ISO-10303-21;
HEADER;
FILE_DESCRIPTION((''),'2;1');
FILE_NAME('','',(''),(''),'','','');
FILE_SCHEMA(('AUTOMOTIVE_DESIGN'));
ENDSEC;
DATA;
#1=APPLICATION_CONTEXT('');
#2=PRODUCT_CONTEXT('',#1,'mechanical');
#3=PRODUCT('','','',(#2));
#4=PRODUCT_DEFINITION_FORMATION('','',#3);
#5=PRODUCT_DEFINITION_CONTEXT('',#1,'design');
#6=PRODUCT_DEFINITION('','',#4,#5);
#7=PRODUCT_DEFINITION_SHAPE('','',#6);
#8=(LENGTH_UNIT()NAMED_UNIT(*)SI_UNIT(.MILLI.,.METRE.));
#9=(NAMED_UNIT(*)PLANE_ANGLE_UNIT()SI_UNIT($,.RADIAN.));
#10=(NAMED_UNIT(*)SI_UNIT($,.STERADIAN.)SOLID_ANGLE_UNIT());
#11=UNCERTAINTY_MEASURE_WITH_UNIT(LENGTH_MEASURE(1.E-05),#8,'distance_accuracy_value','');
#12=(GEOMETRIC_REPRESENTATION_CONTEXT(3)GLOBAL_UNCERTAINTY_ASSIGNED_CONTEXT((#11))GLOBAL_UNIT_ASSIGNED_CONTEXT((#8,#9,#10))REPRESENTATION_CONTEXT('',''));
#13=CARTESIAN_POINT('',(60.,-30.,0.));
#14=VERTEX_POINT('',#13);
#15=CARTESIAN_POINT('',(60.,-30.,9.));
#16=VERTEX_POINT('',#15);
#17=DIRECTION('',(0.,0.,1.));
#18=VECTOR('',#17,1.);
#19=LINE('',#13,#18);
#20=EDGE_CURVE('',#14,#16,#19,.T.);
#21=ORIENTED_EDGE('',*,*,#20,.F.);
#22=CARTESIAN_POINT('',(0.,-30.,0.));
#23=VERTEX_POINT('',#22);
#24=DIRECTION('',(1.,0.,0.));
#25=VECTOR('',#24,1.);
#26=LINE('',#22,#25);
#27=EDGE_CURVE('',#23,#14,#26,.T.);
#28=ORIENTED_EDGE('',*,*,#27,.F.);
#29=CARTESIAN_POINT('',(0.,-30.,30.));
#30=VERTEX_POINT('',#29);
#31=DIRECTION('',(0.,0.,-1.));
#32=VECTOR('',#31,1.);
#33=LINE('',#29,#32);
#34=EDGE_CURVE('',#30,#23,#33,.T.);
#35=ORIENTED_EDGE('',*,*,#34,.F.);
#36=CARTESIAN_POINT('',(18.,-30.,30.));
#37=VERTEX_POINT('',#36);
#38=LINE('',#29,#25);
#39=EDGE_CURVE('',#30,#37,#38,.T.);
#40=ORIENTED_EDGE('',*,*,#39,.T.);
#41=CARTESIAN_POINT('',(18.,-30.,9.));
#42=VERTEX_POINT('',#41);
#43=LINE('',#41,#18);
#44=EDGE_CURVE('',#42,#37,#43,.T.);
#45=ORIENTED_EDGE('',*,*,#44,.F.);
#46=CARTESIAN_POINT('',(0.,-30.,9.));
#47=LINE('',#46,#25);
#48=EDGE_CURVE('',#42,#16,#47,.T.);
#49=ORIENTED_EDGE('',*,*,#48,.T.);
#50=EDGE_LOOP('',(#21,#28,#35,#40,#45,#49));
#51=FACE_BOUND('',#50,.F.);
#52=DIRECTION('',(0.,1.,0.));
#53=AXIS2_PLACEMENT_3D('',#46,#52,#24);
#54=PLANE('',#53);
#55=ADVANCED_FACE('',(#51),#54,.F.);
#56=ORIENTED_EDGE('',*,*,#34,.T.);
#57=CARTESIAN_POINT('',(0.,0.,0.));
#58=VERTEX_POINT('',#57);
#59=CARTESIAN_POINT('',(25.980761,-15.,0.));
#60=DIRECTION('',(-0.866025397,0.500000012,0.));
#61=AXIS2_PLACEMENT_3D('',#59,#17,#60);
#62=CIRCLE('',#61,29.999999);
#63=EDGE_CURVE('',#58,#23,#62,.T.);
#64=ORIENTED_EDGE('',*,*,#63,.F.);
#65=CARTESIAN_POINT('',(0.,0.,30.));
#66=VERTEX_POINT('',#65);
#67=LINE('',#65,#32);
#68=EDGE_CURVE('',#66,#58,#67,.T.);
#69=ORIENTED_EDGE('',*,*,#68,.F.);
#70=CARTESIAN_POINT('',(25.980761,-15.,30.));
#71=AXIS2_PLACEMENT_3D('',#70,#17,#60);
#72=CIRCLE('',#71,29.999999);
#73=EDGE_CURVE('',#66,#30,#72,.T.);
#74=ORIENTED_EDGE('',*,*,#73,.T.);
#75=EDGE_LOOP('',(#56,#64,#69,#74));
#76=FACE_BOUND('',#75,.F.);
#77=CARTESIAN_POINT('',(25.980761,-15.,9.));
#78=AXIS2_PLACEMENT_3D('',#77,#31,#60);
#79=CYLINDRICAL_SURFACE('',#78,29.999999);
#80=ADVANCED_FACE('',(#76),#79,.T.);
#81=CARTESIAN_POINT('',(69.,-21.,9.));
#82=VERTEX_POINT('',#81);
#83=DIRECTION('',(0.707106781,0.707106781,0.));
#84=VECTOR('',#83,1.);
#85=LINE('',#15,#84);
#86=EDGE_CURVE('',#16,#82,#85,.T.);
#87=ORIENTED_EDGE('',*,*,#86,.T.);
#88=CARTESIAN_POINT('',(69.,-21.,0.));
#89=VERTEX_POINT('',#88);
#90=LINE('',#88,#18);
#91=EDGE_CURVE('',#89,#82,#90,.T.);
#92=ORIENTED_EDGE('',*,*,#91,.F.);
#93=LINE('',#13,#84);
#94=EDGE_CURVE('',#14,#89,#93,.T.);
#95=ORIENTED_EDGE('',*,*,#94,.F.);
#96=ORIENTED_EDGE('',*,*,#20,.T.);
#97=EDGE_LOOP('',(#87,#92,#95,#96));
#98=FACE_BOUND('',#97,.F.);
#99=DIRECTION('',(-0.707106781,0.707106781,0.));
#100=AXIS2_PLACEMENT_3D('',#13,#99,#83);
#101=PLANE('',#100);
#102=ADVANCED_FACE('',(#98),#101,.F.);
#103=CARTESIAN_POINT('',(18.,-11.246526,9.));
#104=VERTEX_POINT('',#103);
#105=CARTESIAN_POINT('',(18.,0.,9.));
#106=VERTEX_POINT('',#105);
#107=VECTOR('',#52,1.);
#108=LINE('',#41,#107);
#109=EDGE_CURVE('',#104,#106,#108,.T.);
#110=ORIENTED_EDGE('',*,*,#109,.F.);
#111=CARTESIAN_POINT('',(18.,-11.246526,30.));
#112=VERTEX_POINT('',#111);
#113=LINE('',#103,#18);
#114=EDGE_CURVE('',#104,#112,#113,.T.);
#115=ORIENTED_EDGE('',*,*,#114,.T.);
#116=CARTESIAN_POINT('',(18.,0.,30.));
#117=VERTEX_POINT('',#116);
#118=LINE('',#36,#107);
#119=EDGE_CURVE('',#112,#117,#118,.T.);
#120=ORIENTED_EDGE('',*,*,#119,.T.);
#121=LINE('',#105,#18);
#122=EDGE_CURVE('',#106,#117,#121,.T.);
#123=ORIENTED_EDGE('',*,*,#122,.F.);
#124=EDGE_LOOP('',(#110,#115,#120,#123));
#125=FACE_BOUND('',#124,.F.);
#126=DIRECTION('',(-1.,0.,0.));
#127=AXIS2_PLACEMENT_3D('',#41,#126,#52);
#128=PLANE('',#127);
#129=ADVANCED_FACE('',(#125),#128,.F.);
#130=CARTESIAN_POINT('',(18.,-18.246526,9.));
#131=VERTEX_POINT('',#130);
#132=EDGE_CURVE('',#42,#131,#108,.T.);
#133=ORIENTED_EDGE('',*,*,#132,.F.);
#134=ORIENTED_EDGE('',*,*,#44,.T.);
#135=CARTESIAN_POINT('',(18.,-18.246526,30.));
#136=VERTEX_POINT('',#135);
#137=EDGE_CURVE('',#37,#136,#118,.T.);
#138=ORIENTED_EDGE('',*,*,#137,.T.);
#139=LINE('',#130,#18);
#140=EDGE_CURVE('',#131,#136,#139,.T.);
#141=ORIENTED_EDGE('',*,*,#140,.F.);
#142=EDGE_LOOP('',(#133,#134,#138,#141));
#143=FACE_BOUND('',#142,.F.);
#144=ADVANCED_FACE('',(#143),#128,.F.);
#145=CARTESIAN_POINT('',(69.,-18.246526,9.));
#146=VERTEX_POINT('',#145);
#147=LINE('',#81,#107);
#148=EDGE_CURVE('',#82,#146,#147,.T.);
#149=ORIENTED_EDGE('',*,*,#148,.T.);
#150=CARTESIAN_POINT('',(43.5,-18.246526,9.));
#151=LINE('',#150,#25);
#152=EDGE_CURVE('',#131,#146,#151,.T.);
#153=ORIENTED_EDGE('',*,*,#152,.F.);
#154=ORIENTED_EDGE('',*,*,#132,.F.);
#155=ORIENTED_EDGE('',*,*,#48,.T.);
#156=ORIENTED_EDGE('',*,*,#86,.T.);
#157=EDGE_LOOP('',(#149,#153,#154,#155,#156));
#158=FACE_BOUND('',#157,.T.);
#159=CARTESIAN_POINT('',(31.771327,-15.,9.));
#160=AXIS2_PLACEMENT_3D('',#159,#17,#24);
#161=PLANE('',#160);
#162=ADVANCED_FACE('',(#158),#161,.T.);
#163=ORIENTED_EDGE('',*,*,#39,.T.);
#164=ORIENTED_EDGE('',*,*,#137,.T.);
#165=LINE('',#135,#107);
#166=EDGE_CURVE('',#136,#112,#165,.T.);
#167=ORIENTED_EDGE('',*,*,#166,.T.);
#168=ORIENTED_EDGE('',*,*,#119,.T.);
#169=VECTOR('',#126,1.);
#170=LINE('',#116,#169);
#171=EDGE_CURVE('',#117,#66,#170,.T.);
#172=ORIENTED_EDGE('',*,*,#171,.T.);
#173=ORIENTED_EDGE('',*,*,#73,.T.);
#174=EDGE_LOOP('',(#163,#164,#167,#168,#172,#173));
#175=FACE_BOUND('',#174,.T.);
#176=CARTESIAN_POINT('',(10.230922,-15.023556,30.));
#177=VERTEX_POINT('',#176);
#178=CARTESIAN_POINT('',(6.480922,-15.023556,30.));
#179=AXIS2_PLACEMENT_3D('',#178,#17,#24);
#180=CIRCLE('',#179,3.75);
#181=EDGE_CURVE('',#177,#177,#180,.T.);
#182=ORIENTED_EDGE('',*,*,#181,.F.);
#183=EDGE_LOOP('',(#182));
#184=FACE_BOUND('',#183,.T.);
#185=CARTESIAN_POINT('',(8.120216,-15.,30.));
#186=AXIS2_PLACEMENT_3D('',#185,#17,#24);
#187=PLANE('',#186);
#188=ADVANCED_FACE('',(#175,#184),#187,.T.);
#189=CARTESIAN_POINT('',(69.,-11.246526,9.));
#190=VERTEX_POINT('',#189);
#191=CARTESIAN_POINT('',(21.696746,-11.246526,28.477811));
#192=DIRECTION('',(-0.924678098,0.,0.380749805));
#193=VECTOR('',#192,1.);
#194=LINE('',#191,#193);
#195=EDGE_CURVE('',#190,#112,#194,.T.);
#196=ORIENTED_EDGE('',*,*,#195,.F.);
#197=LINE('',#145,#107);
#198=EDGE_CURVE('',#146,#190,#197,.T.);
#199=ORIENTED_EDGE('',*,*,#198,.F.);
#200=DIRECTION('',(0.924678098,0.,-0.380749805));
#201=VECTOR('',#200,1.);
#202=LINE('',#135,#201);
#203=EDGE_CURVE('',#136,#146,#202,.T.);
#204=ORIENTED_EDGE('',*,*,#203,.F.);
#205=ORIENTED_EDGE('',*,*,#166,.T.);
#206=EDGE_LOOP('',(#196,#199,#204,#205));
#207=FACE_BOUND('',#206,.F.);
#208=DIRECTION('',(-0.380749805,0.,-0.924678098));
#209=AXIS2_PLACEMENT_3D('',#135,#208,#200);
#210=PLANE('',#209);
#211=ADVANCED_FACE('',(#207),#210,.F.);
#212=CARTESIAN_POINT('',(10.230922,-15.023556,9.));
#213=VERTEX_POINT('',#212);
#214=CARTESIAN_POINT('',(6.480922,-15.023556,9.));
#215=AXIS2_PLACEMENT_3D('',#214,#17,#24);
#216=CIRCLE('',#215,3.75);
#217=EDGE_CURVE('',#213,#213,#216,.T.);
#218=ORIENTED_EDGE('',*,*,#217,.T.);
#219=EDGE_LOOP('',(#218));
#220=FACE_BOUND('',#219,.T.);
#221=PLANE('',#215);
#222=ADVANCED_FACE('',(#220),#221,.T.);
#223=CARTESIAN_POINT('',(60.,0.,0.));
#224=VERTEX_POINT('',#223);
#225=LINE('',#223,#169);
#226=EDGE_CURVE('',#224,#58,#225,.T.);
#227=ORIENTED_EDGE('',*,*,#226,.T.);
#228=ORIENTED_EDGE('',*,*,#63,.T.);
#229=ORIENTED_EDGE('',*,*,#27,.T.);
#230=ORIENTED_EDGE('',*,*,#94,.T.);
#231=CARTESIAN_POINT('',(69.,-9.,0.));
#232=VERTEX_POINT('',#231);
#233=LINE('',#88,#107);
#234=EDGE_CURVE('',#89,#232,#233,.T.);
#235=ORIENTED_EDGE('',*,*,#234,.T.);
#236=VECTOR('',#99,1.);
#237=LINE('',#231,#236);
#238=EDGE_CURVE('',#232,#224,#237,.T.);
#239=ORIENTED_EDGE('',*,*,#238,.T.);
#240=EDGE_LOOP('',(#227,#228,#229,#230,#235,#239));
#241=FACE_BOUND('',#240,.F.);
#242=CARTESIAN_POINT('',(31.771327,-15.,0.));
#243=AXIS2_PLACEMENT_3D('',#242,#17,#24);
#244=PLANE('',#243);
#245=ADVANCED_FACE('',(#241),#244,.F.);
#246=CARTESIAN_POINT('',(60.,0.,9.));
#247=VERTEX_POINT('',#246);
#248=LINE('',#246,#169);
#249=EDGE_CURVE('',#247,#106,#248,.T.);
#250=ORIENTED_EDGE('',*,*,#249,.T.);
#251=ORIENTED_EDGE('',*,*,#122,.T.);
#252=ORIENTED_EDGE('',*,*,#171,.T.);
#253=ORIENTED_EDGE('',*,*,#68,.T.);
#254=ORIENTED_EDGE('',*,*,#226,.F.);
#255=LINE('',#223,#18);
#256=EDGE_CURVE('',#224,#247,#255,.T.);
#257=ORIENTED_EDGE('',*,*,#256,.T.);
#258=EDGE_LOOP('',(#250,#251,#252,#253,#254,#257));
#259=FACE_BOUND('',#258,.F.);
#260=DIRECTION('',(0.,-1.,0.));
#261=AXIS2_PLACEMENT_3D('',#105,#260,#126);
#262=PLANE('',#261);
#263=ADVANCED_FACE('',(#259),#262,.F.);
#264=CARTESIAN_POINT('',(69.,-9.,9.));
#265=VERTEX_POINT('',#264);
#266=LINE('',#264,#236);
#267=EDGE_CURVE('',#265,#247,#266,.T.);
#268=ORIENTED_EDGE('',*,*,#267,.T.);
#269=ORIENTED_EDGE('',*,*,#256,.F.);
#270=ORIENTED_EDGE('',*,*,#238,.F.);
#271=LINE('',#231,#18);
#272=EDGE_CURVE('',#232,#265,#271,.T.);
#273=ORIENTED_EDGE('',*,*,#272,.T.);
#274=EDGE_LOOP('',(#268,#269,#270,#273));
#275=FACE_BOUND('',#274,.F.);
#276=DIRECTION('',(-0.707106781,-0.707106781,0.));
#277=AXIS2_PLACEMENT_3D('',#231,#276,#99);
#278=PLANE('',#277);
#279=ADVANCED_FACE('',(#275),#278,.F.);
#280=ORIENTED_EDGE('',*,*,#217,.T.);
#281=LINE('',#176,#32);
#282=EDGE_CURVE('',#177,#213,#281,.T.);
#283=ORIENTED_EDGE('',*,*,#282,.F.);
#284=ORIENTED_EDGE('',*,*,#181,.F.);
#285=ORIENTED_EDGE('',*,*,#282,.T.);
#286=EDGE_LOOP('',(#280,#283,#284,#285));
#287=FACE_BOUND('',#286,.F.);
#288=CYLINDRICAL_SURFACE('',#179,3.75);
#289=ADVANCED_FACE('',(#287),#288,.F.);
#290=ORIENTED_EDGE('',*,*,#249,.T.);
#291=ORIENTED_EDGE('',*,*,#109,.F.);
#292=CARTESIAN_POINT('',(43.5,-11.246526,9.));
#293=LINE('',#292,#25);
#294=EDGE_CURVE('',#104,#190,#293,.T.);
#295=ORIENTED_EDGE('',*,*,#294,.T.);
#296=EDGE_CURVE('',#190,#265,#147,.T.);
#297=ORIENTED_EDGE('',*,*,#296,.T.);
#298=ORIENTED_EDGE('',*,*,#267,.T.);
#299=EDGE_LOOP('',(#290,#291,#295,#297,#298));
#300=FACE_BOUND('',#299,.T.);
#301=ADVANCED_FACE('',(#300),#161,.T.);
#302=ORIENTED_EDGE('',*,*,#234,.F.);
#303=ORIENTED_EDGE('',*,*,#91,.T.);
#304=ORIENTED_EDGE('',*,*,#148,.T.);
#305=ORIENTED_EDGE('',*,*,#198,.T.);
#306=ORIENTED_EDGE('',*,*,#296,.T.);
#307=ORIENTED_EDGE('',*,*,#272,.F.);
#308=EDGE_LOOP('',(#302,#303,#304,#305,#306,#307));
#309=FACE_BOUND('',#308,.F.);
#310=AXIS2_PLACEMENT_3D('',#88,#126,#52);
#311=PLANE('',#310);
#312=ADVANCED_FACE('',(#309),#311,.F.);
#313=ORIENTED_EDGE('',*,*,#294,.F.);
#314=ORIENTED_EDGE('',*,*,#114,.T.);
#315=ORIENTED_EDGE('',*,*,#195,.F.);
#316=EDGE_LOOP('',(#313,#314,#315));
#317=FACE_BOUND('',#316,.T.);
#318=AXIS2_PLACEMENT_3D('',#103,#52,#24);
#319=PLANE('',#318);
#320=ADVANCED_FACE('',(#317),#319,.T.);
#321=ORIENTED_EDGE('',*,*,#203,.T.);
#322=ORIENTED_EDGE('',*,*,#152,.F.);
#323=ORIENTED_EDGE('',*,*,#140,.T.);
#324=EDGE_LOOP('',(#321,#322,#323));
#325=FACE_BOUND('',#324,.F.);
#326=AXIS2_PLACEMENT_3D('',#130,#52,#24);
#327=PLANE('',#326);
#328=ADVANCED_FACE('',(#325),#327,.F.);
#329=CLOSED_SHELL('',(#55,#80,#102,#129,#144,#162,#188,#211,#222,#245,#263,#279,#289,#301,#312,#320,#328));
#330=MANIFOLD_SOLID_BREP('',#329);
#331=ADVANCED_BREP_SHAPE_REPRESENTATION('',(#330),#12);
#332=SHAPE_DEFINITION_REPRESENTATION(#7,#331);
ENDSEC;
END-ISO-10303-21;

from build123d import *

# Parameters (mm, degrees)
F1_DEPTH = 9
F3_DEPTH = 21
F4_W     = 51
F4_H     = 7
F5_DEPTH = 21
F7_DEPTH = 25
F8_R     = 3.75
F9_DEPTH = 21


with BuildPart() as f1:
    # F0 (on Top) → F1 (new body)
    with BuildSketch(Plane.XY):
        with BuildLine():
            ThreePointArc((0, 0), (-4.019238, -15), (0, -30))
            Line((0, -30), (60, -30))
            Line((60, -30), (69, -21))
            Line((69, -21), (69, -9))
            Line((69, -9), (60, 0))
            Line((60, 0), (0, 0))
        make_face()
    extrude(amount=F1_DEPTH)

    # F2 (on face) → F3 (join)
    with BuildSketch(Plane.XY.offset(9)):
        with BuildLine():
            Line((0, -30), (18, -30))
            Line((18, -30), (18, 0))
            Line((18, 0), (0, 0))
            ThreePointArc((0, 0), (-4.019238, -15), (0, -30))
        make_face()
    extrude(amount=F3_DEPTH)

    # F4 (on face) → F5 (join)
    with BuildSketch(Plane.XY.offset(9)):
        with Locations((43.5, -14.746526)):
            Rectangle(F4_W, F4_H)
    extrude(amount=F5_DEPTH)

    # F6 (on face) → F7 (cut)
    with BuildSketch(Plane.XZ.offset(18.246526)):
        Polygon((69, 30), (18, 30), (69, 9), align=None)
    extrude(amount=-F7_DEPTH, mode=Mode.SUBTRACT)

    # F8 (on face) → F9 (cut)
    with BuildSketch(Plane.XY.offset(30)):
        with Locations((6.480922, -15.023556)):
            Circle(F8_R)
    extrude(amount=-F9_DEPTH, mode=Mode.SUBTRACT)


solid = f1.part
